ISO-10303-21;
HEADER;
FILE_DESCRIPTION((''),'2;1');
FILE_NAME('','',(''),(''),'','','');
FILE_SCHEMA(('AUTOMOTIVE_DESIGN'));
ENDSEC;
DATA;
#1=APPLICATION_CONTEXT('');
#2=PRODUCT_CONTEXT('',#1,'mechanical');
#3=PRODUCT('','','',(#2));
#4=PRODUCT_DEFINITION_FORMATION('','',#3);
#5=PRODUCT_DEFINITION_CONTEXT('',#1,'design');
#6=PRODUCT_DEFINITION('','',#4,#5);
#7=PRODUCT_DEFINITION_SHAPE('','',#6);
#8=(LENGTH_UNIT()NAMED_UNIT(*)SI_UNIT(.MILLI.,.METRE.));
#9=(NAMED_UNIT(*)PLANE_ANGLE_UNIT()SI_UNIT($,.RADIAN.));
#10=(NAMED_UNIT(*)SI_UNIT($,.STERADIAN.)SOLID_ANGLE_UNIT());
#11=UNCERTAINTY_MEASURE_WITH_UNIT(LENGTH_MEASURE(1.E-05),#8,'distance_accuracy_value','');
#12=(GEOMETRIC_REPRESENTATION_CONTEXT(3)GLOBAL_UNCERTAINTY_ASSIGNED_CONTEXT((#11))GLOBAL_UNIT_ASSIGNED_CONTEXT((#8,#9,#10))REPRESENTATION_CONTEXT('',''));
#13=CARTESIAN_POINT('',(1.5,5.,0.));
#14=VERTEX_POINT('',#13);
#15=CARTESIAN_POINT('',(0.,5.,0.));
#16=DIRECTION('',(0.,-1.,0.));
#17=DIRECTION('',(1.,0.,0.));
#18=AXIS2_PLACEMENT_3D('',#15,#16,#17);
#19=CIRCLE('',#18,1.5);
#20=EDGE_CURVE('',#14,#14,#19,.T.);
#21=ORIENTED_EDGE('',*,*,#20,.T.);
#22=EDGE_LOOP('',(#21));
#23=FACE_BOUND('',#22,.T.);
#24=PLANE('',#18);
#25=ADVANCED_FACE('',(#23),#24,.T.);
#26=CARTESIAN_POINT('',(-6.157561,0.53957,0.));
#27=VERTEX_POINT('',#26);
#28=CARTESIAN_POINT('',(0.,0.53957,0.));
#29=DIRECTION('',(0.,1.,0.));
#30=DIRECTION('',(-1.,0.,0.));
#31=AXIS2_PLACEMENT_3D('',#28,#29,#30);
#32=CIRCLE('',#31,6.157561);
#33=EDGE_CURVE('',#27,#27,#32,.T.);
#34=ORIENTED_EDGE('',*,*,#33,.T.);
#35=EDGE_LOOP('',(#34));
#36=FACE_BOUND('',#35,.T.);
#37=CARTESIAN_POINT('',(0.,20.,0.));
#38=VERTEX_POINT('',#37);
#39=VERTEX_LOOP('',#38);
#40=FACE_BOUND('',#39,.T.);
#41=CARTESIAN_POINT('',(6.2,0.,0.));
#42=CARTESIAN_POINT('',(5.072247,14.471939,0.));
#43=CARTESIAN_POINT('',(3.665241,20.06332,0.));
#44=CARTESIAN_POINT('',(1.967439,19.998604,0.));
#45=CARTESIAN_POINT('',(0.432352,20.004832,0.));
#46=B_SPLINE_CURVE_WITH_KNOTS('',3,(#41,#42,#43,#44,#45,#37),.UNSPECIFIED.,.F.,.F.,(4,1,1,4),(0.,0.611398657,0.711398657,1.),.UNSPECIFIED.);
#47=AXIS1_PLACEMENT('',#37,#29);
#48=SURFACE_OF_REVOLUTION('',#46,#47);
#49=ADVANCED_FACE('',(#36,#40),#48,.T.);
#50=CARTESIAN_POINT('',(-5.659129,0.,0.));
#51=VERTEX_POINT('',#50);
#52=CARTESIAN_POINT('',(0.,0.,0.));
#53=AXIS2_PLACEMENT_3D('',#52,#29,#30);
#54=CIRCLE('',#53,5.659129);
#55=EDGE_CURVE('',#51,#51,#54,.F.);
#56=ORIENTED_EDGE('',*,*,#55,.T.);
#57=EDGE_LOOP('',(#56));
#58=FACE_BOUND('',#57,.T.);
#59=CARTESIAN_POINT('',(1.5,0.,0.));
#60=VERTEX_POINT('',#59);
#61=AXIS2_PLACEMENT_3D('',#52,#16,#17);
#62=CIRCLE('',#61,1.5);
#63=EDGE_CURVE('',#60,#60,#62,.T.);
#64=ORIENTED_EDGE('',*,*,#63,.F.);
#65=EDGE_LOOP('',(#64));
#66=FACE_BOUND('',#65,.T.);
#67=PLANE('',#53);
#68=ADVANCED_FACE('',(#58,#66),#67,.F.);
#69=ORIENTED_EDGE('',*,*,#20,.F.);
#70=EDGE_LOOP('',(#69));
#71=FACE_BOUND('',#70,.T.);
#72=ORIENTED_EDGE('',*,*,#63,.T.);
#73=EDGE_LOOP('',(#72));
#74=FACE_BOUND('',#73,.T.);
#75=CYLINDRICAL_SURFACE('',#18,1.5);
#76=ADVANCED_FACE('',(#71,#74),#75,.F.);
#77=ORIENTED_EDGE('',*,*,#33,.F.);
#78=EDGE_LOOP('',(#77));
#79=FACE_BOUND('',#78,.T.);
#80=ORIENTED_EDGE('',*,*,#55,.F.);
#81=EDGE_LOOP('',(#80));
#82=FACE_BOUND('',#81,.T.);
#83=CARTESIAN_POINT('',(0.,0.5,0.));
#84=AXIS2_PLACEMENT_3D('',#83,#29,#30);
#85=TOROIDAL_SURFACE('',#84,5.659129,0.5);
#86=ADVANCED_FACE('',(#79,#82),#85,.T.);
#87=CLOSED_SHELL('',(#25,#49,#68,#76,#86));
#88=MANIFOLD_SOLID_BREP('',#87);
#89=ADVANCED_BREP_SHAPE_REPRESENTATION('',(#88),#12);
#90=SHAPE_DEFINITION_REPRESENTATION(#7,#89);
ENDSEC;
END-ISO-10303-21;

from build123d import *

# Parameters (mm, degrees)
FILETE1_R             = 0.5
ESBO_O2_R             = 1.5
CORTE_EXTRUS_O1_DEPTH = 5


with BuildPart() as part:
    # Esboço1 → Revolução1 (revolve)
    with BuildSketch(Plane.XY):
        with BuildLine():
            Line((0, 0), (6.2, 0))
            add(Edge.make_bspline(
                [(0, 20), (0.432351955, 20.004832283), (1.967438722, 19.998604271), (3.665241094, 20.06332036), (5.07224731, 14.471938807), (6.2, 0)],
                knots=[0, 0, 0, 0, 0.288601343, 0.388601343, 1, 1, 1, 1], degree=3))
            Line((0, 20), (0, 0))
        make_face()
    revolve(axis=Axis((0, 20, 0), (0, -1, 0)))

    # Filete1
    filete1_edges = [part.edges().sort_by_distance(p)[0] for p in [
        (-6.2, 0, 0),
    ]]
    fillet(filete1_edges, radius=FILETE1_R)

    # Esboço2 → Corte-extrusão1 (cut)
    with BuildSketch(Plane.XZ):
        Circle(ESBO_O2_R)
    extrude(amount=-CORTE_EXTRUS_O1_DEPTH, mode=Mode.SUBTRACT)


solid = part.part
